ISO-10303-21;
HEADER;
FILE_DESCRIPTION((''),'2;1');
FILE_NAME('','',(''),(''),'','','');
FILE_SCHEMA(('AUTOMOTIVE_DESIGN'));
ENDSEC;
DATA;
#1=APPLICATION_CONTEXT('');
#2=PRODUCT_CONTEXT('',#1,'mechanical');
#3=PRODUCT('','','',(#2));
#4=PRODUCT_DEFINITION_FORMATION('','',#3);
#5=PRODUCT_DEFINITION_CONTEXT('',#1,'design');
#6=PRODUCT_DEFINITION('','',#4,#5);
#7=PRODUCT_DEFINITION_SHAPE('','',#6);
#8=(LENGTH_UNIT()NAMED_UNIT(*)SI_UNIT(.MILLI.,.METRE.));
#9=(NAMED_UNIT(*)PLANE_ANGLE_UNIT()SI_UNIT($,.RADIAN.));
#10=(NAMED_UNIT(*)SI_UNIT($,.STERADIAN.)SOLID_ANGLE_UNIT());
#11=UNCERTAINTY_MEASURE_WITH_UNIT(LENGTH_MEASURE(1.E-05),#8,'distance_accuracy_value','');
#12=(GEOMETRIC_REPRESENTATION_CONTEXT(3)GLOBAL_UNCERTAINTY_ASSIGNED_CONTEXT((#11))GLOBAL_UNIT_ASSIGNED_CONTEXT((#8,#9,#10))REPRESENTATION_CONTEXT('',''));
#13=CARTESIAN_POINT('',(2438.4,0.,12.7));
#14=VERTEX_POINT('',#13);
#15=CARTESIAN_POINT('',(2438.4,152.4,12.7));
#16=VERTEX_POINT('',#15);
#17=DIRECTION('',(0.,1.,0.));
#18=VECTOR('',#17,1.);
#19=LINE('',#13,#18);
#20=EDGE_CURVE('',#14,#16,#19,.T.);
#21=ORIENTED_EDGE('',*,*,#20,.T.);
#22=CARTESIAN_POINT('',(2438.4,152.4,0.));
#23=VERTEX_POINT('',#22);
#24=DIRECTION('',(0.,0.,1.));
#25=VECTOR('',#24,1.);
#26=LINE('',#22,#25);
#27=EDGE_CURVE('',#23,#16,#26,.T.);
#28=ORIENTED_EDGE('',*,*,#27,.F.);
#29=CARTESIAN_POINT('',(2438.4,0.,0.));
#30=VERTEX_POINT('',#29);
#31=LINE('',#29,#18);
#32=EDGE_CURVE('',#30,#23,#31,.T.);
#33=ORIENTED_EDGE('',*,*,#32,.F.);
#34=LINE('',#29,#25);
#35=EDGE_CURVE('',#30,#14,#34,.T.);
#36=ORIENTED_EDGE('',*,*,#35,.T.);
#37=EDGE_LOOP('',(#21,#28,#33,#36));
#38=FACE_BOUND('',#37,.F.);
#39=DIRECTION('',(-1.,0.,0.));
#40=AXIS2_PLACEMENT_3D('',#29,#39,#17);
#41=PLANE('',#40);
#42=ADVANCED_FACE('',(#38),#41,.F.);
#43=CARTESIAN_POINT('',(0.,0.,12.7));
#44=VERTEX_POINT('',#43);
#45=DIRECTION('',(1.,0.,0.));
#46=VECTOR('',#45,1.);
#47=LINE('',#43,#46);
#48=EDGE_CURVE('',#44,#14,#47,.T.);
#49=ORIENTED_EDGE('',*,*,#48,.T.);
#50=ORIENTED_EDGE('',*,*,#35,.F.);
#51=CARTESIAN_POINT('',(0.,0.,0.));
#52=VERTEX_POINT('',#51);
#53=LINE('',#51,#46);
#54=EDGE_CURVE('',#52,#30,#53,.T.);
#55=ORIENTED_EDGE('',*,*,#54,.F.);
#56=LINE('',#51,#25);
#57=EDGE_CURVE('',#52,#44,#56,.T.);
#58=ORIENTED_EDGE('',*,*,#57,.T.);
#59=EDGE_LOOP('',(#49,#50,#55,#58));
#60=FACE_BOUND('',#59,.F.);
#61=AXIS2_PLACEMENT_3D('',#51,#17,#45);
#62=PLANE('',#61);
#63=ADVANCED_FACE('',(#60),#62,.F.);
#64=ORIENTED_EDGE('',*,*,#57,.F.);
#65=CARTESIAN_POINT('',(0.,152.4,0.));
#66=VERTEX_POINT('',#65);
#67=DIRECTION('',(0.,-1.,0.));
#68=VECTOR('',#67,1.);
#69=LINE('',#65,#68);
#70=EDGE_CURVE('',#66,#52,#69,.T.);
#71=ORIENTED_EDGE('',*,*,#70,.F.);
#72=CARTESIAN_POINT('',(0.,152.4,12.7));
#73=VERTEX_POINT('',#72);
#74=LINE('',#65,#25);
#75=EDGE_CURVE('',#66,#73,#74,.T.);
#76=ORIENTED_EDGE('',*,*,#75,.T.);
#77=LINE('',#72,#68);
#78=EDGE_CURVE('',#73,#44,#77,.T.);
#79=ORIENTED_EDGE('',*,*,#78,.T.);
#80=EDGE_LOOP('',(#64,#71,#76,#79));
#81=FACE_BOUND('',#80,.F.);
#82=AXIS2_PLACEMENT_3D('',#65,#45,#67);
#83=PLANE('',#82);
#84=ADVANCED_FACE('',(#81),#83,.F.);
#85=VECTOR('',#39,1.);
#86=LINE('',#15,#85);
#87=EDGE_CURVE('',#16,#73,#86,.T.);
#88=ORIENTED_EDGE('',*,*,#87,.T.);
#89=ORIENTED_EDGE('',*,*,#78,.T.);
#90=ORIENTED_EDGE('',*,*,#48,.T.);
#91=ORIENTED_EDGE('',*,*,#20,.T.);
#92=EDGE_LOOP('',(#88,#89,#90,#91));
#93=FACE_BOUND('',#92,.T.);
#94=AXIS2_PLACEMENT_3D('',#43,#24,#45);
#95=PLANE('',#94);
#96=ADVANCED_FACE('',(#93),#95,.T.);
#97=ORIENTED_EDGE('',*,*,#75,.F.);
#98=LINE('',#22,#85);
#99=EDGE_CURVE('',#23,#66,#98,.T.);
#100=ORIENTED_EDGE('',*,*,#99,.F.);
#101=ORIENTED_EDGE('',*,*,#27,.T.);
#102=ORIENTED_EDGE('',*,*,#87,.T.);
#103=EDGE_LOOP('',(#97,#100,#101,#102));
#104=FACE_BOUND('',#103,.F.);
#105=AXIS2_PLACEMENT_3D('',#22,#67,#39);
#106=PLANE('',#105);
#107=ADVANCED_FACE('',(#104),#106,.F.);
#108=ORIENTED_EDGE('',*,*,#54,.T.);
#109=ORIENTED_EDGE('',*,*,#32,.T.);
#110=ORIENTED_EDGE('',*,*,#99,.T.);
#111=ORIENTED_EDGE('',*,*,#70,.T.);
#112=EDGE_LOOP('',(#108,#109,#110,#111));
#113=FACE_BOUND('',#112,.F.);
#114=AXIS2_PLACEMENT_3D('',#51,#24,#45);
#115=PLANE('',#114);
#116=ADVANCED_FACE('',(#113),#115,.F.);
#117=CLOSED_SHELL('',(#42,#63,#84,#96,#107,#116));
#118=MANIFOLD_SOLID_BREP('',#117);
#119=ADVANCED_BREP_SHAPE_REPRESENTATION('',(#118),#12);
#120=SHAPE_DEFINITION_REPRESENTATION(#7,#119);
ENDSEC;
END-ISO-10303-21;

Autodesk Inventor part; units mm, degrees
ref_plane "YZ Plane" through (0, 0, 0) normal (1, 0, 0) x (0, 1, 0)
ref_plane "XZ Plane" through (0, 0, 0) normal (0, 1, 0) x (-1, 0, 0)
ref_plane "XY Plane" through (0, 0, 0) normal (0, 0, 1) x (1, 0, 0)
sketch "Sketch1" plane through (0, 0, 0) normal (0, 0, 1) x (1, 0, 0)
  line L0 (0, 0) -> (2438.4, 0)
  line L1 (2438.4, 0) -> (2438.4, 152.4)
  line L2 (2438.4, 152.4) -> (0, 152.4)
  line L3 (0, 152.4) -> (0, 0)
  dimension "d0" = 152.4
  dimension "d1" = 2438.4
extrude "Extrusion1" add sketch "Sketch1" along normal blind 12.7
properties part number "Side 120 in by 6 in by half inch"
